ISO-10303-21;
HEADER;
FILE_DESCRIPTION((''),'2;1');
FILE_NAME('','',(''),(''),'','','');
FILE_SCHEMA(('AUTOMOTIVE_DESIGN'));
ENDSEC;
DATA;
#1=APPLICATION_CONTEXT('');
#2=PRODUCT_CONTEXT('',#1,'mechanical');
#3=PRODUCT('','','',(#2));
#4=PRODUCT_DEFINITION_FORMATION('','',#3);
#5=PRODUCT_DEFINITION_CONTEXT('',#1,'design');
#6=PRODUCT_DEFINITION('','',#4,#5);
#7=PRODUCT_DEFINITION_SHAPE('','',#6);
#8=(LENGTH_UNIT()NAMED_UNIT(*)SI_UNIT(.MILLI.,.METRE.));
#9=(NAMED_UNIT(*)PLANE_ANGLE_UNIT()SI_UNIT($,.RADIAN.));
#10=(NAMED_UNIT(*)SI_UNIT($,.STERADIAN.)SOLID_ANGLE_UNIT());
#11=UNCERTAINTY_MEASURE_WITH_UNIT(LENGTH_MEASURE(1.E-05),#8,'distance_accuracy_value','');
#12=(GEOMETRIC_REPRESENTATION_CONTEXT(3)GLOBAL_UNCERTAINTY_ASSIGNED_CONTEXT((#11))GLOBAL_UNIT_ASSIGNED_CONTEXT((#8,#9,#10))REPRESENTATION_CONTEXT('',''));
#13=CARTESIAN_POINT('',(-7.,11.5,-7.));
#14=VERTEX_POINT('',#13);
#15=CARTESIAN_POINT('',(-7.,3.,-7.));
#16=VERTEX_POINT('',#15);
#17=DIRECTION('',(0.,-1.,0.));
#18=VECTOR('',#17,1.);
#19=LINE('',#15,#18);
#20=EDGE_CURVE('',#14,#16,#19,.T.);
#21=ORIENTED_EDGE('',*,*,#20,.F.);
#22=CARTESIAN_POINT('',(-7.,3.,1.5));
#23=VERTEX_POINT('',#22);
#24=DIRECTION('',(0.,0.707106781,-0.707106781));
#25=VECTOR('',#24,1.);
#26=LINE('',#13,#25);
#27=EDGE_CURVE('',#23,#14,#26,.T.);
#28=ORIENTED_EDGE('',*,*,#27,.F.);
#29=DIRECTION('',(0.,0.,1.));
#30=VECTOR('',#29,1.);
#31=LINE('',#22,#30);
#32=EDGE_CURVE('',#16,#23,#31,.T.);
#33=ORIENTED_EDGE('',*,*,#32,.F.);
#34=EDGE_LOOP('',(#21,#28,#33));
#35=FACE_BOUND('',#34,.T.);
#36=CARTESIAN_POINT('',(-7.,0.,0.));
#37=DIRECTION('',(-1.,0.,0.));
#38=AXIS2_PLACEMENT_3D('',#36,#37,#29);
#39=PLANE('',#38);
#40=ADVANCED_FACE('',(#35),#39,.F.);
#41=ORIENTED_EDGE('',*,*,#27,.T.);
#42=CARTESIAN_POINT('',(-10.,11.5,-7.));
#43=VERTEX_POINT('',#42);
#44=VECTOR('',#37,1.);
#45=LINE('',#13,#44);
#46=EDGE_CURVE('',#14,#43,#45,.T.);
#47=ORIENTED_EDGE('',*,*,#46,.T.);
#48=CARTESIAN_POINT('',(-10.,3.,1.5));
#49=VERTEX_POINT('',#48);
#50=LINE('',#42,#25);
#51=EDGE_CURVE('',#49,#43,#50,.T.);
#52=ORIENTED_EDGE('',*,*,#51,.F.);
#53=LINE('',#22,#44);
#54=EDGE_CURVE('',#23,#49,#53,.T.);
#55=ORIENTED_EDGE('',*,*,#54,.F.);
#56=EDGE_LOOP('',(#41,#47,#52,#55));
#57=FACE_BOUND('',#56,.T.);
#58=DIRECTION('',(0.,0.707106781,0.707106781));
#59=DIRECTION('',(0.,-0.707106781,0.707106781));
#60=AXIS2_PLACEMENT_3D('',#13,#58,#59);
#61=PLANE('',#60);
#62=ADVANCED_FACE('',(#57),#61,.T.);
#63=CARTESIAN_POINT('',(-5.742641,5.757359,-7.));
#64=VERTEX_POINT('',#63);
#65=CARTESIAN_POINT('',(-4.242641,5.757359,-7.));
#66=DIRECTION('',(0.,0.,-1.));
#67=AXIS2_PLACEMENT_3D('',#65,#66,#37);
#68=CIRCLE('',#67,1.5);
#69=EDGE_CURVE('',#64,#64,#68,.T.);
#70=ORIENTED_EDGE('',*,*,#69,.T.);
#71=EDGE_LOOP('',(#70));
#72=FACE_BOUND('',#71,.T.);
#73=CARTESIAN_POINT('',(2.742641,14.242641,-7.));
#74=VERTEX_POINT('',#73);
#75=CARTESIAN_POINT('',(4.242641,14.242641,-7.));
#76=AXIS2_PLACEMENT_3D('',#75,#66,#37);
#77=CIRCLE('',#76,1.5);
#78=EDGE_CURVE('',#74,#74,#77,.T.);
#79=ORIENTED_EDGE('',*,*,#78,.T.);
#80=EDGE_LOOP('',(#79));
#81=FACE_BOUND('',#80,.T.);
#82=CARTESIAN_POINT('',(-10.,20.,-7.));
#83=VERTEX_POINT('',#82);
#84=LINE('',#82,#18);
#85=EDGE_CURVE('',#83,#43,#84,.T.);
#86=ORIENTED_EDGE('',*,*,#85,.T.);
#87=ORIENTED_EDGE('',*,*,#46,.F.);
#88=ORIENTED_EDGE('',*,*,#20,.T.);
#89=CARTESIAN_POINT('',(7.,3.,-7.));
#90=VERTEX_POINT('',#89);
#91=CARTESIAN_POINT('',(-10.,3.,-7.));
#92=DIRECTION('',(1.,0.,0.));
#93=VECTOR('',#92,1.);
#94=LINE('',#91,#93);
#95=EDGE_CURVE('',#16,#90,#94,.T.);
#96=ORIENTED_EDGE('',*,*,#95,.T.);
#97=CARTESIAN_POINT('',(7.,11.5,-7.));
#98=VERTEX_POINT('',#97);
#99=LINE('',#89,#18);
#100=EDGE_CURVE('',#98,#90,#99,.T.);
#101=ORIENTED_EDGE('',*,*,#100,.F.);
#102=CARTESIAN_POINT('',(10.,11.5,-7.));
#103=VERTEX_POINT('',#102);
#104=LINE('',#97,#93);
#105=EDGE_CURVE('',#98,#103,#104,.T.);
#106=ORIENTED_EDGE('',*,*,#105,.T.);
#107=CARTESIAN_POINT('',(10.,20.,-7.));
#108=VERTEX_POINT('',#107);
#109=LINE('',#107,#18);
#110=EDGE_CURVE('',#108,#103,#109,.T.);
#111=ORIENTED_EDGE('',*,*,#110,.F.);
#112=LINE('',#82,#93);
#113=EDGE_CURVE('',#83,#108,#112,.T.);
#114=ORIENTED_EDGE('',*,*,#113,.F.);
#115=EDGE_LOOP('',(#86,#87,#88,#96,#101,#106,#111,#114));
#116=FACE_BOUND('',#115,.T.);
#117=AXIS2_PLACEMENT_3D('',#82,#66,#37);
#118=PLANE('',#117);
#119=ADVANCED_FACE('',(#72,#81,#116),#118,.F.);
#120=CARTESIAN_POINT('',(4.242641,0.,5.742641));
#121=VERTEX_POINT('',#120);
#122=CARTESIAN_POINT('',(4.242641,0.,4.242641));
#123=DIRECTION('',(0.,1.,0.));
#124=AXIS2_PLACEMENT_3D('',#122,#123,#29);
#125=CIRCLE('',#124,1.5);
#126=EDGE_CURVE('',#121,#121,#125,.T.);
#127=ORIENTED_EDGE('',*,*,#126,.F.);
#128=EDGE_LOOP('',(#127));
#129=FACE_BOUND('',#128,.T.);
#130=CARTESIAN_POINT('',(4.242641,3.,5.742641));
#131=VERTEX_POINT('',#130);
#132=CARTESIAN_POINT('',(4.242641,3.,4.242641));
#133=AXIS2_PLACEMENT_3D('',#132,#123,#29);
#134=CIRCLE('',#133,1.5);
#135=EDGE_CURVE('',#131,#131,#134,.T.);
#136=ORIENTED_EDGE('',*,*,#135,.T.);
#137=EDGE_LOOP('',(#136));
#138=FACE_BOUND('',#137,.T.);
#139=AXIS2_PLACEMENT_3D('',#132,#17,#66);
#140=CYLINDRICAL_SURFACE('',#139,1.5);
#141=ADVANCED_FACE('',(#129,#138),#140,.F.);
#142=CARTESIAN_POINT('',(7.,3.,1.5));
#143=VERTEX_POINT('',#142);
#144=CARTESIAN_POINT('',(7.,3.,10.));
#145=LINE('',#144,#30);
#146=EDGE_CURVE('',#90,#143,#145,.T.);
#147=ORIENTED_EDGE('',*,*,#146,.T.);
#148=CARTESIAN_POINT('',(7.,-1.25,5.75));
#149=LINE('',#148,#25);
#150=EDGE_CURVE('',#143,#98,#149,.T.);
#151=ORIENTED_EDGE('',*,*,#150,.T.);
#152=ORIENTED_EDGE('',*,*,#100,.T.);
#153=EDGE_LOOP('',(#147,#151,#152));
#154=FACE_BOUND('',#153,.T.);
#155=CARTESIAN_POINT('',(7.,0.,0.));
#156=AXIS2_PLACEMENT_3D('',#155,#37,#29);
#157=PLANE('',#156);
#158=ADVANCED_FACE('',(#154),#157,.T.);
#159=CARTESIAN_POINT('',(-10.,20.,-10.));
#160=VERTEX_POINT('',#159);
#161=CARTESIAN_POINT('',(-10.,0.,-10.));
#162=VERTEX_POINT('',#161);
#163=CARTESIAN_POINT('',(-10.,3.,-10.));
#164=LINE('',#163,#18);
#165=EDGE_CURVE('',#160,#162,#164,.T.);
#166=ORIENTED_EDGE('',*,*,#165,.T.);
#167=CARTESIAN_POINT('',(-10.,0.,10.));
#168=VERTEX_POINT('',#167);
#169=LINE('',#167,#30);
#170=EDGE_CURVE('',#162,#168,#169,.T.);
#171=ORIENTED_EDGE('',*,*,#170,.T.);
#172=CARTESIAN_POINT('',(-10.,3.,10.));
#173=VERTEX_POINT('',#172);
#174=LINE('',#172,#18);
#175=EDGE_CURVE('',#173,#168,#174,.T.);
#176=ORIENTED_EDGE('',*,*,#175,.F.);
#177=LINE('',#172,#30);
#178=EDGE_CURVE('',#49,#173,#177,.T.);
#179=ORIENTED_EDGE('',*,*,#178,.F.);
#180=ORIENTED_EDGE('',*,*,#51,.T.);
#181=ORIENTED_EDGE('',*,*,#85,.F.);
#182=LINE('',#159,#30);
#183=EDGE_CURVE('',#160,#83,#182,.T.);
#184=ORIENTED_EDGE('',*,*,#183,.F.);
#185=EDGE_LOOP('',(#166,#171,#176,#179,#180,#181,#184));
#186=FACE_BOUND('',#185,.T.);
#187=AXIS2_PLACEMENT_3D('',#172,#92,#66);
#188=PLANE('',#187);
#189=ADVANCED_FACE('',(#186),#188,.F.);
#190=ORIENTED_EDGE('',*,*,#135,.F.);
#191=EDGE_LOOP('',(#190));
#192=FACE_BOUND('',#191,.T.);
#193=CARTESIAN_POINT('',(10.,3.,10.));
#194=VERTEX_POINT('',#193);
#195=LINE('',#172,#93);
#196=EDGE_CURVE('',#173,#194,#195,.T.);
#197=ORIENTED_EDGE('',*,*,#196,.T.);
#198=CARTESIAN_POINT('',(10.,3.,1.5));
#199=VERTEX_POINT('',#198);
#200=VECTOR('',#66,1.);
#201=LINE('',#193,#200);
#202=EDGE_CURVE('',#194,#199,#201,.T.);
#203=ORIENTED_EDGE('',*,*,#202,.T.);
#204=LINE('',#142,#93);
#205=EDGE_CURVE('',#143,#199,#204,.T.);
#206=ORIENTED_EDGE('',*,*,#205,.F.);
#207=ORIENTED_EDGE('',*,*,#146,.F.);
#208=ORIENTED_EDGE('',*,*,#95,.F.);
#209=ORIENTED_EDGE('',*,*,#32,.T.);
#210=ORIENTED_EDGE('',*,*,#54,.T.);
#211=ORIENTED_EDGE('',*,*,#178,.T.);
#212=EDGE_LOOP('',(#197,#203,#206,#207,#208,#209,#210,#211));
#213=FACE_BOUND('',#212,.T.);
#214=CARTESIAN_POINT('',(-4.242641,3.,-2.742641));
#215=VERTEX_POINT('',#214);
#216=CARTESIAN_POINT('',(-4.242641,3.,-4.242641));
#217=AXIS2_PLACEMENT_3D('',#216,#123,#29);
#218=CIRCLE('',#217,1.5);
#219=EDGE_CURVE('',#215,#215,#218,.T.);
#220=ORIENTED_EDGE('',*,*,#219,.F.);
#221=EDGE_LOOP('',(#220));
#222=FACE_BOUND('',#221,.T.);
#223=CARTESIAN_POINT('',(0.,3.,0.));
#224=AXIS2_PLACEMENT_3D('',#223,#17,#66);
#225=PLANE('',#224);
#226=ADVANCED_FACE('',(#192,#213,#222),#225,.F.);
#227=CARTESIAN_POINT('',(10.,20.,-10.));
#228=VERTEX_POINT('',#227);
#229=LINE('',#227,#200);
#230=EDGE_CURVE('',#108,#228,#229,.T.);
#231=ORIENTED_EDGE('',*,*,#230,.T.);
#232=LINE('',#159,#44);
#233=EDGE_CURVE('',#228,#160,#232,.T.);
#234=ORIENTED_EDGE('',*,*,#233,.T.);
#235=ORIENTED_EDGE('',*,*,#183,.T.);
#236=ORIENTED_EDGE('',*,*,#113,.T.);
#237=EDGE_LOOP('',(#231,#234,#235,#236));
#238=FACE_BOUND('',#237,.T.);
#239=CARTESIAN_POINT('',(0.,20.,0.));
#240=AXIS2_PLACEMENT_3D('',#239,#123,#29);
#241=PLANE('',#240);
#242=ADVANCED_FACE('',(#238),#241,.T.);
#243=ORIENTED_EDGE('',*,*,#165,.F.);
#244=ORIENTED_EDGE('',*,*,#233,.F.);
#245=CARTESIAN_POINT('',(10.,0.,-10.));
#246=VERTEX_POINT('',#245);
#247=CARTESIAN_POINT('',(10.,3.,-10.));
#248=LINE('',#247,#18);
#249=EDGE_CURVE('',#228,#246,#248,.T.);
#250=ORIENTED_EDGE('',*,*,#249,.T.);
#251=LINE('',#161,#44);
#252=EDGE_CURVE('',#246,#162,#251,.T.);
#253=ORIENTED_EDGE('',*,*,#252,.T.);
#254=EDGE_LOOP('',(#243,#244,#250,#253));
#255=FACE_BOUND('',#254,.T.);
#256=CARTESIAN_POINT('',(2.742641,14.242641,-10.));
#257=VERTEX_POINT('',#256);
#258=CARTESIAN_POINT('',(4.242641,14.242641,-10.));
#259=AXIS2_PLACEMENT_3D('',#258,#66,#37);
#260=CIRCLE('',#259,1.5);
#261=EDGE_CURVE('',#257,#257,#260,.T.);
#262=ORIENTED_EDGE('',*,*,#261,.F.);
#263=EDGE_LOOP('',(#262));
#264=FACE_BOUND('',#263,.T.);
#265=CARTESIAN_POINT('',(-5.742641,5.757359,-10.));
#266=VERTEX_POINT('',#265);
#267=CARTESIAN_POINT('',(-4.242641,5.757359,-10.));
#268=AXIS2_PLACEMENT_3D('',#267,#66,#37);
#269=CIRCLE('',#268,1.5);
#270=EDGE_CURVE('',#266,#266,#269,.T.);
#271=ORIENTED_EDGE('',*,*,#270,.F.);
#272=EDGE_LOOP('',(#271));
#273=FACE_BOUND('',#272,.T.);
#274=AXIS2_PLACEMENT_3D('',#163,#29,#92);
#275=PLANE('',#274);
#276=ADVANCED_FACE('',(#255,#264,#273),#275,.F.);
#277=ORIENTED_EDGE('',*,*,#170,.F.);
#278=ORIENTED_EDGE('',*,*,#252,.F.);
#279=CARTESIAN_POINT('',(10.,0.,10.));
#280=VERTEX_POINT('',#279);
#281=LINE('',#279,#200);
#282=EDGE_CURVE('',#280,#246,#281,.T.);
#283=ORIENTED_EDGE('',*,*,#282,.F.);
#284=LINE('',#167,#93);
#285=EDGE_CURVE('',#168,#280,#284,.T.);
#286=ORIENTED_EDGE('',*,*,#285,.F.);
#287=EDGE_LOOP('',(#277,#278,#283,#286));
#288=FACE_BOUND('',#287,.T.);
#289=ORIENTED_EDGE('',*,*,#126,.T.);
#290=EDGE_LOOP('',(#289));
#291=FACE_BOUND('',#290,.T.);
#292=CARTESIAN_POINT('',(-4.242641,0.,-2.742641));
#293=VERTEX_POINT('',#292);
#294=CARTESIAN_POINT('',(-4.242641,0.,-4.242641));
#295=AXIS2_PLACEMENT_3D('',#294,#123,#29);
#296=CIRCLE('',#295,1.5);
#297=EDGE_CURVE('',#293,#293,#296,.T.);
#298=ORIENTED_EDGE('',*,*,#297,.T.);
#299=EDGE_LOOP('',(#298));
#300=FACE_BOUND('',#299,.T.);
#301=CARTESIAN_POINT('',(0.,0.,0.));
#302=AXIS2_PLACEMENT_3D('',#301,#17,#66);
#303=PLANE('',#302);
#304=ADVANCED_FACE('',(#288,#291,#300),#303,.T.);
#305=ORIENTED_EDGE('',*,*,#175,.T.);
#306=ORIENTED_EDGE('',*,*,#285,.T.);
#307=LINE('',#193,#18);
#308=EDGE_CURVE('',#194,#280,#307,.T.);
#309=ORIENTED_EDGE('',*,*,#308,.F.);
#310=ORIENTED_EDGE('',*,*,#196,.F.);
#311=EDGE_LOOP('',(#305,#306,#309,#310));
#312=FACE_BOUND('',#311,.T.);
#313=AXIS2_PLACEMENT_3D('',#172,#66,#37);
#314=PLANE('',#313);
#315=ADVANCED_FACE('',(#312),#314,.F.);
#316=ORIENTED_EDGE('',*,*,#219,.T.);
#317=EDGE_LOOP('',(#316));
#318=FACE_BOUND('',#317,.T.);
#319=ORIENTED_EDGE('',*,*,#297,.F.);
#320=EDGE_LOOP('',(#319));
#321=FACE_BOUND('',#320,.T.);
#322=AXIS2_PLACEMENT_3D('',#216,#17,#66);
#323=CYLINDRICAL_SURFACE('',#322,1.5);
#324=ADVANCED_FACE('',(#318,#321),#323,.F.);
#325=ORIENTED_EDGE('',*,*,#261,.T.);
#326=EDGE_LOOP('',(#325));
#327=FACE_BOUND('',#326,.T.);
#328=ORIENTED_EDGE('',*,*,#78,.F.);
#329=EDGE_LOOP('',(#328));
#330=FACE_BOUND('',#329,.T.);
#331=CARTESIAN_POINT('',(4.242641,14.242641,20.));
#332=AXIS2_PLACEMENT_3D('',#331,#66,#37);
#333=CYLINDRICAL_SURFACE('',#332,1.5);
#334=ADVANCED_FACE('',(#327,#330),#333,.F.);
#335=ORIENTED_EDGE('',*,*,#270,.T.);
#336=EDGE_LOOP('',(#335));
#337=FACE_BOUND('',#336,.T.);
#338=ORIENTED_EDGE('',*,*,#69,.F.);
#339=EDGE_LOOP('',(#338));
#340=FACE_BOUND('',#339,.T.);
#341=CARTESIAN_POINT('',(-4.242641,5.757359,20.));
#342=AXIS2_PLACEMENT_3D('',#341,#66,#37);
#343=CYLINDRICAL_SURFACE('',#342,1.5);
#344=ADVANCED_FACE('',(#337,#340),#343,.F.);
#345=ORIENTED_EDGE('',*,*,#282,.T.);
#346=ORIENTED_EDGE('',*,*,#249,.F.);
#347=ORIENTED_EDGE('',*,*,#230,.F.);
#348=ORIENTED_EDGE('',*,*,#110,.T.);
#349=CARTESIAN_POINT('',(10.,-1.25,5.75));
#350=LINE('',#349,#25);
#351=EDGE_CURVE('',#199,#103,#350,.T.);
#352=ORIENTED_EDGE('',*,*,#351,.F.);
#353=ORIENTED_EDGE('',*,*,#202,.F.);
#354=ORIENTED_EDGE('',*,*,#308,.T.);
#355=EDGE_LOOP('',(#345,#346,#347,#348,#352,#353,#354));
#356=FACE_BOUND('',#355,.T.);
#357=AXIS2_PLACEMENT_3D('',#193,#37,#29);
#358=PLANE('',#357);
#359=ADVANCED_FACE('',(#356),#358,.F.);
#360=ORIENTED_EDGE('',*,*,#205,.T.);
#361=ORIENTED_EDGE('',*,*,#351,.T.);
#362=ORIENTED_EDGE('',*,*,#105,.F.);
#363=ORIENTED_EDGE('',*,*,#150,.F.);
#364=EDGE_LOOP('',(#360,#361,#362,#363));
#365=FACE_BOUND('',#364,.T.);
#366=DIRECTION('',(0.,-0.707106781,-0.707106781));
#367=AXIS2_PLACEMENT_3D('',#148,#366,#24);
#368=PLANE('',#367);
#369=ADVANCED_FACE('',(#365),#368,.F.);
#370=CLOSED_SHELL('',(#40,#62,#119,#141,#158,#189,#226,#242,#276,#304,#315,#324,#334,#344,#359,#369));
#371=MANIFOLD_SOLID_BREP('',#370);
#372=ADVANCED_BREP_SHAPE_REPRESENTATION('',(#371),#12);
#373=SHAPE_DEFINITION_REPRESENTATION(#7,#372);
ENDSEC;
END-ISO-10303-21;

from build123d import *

# Parameters (mm, degrees)
SKETCH1_W           = 20
SKETCH1_H           = 20
SKETCH1_R           = 1.5
BOSS_EXTRUDE1_DEPTH = 3
SKETCH2_W           = 20
SKETCH2_H           = 3
BOSS_EXTRUDE2_DEPTH = 17
SKETCH3_R           = 1.5
CUT_EXTRUDE1_DEPTH  = 30
BOSS_EXTRUDE3_DEPTH = 3
BOSS_EXTRUDE4_START = -20
BOSS_EXTRUDE4_DEPTH = 3


with BuildPart() as part:
    # Sketch1 → Boss-Extrude1 (new body)
    with BuildSketch(Plane(origin=(0, 0, 0), x_dir=(1, 0, 0), z_dir=(0, 1, 0))):
        Rectangle(SKETCH1_W, SKETCH1_H)
        with Locations(Location((-4.242640687, 4.242640687, 0), (0, 0, 270))):
            Circle(SKETCH1_R, mode=Mode.SUBTRACT)
        with Locations(Location((4.242640687, -4.242640687, 0), (0, 0, 270))):
            Circle(SKETCH1_R, mode=Mode.SUBTRACT)
    extrude(amount=BOSS_EXTRUDE1_DEPTH)

    # Sketch2 → Boss-Extrude2 (add)
    with BuildSketch(Plane(origin=(0, 3, 0), x_dir=(1, 0, 0), z_dir=(0, 1, 0))):
        with Locations((0, 8.5)):
            Rectangle(SKETCH2_W, SKETCH2_H)
    extrude(amount=BOSS_EXTRUDE2_DEPTH)

    # Sketch3 → Cut-Extrude1 (cut)
    with BuildSketch(Plane(origin=(0, 0, -10), x_dir=(-1, 0, 0), z_dir=(0, 0, -1))):
        with Locations((-4.242640687, 14.242640687)):
            Circle(SKETCH3_R)
        with Locations((4.242640687, 5.757359313)):
            Circle(SKETCH3_R)
    extrude(amount=-CUT_EXTRUDE1_DEPTH, mode=Mode.SUBTRACT)

    # Sketch4 → Boss-Extrude3 (add)
    with BuildSketch(Plane.ZY.offset(10)):
        Polygon((-7, 11.5), (1.5, 3), (-7, 3), align=None)
    extrude(amount=-BOSS_EXTRUDE3_DEPTH)

    # Sketch4<2> → Boss-Extrude4 (add)
    with BuildSketch(Plane.ZY.offset(10).offset(BOSS_EXTRUDE4_START)):
        Polygon((-7, 11.5), (1.5, 3), (-7, 3), align=None)
    extrude(amount=BOSS_EXTRUDE4_DEPTH)


solid = part.part
